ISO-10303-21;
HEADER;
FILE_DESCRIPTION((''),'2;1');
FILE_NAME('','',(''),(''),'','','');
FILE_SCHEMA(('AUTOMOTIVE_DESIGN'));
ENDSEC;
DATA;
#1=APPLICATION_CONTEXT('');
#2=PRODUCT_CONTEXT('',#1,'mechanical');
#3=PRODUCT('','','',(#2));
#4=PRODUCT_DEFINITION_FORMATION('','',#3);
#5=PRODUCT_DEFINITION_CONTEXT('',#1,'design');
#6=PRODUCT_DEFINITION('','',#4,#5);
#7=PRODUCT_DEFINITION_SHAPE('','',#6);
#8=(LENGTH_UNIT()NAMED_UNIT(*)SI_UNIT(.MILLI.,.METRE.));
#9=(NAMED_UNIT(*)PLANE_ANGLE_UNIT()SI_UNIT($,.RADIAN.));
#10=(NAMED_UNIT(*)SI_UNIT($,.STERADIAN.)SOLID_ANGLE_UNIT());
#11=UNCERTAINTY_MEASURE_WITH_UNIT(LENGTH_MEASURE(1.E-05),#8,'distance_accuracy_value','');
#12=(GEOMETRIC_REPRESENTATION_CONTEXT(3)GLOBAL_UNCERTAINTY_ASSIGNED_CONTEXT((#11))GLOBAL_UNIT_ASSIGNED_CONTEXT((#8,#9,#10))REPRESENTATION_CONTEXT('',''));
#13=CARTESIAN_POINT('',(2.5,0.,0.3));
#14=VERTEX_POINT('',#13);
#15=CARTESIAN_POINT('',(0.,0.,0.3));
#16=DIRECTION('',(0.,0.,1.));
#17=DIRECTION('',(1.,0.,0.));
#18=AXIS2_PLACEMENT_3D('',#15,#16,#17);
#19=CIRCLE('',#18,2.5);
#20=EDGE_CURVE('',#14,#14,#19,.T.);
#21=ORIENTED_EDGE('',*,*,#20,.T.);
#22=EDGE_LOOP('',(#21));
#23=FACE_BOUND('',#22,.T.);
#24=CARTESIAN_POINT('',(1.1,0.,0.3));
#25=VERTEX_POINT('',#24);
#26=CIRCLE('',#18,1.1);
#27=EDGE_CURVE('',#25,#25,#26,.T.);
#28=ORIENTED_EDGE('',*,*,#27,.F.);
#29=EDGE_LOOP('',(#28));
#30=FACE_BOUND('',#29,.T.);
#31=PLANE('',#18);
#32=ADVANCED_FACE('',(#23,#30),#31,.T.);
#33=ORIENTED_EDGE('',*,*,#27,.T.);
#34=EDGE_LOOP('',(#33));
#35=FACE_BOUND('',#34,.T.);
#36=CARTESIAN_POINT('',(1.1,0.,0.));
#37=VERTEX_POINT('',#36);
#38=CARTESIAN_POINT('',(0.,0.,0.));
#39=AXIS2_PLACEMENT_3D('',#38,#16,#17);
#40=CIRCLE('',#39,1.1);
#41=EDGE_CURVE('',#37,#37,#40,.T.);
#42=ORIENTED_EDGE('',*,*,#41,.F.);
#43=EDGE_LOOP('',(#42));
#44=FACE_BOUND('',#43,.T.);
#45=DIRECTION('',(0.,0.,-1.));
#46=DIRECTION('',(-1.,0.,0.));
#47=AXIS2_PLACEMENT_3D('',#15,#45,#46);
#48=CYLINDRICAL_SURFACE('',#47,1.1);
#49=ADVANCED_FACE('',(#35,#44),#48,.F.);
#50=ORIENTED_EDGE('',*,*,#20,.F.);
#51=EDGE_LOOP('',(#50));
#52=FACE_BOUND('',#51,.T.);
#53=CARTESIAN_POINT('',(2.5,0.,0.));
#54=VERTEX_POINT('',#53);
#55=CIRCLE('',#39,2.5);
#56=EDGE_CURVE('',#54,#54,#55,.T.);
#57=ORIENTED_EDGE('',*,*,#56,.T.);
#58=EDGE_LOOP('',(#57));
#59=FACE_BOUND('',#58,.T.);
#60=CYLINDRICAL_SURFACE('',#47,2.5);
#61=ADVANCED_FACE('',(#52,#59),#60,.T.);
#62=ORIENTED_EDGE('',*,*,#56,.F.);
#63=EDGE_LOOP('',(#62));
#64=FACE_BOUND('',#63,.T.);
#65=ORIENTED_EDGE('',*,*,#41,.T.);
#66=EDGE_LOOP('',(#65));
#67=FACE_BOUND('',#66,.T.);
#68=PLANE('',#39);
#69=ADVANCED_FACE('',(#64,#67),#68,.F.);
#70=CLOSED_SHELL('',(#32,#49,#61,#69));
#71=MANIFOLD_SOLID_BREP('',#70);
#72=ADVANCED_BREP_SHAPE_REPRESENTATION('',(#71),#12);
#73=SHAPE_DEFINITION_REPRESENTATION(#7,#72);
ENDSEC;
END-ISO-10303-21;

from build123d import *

# Parameters (mm, degrees)
SKETCH_1_R      = 2.5
SKETCH_1_R_2    = 1.1
EXTRUDE_1_DEPTH = 0.3


with BuildPart() as part:
    # Эскиз1 → Бобышка-Вытянуть1 (new body)
    with BuildSketch(Plane.XY):
        Circle(SKETCH_1_R)
        Circle(SKETCH_1_R_2, mode=Mode.SUBTRACT)
    extrude(amount=EXTRUDE_1_DEPTH)


solid = part.part
